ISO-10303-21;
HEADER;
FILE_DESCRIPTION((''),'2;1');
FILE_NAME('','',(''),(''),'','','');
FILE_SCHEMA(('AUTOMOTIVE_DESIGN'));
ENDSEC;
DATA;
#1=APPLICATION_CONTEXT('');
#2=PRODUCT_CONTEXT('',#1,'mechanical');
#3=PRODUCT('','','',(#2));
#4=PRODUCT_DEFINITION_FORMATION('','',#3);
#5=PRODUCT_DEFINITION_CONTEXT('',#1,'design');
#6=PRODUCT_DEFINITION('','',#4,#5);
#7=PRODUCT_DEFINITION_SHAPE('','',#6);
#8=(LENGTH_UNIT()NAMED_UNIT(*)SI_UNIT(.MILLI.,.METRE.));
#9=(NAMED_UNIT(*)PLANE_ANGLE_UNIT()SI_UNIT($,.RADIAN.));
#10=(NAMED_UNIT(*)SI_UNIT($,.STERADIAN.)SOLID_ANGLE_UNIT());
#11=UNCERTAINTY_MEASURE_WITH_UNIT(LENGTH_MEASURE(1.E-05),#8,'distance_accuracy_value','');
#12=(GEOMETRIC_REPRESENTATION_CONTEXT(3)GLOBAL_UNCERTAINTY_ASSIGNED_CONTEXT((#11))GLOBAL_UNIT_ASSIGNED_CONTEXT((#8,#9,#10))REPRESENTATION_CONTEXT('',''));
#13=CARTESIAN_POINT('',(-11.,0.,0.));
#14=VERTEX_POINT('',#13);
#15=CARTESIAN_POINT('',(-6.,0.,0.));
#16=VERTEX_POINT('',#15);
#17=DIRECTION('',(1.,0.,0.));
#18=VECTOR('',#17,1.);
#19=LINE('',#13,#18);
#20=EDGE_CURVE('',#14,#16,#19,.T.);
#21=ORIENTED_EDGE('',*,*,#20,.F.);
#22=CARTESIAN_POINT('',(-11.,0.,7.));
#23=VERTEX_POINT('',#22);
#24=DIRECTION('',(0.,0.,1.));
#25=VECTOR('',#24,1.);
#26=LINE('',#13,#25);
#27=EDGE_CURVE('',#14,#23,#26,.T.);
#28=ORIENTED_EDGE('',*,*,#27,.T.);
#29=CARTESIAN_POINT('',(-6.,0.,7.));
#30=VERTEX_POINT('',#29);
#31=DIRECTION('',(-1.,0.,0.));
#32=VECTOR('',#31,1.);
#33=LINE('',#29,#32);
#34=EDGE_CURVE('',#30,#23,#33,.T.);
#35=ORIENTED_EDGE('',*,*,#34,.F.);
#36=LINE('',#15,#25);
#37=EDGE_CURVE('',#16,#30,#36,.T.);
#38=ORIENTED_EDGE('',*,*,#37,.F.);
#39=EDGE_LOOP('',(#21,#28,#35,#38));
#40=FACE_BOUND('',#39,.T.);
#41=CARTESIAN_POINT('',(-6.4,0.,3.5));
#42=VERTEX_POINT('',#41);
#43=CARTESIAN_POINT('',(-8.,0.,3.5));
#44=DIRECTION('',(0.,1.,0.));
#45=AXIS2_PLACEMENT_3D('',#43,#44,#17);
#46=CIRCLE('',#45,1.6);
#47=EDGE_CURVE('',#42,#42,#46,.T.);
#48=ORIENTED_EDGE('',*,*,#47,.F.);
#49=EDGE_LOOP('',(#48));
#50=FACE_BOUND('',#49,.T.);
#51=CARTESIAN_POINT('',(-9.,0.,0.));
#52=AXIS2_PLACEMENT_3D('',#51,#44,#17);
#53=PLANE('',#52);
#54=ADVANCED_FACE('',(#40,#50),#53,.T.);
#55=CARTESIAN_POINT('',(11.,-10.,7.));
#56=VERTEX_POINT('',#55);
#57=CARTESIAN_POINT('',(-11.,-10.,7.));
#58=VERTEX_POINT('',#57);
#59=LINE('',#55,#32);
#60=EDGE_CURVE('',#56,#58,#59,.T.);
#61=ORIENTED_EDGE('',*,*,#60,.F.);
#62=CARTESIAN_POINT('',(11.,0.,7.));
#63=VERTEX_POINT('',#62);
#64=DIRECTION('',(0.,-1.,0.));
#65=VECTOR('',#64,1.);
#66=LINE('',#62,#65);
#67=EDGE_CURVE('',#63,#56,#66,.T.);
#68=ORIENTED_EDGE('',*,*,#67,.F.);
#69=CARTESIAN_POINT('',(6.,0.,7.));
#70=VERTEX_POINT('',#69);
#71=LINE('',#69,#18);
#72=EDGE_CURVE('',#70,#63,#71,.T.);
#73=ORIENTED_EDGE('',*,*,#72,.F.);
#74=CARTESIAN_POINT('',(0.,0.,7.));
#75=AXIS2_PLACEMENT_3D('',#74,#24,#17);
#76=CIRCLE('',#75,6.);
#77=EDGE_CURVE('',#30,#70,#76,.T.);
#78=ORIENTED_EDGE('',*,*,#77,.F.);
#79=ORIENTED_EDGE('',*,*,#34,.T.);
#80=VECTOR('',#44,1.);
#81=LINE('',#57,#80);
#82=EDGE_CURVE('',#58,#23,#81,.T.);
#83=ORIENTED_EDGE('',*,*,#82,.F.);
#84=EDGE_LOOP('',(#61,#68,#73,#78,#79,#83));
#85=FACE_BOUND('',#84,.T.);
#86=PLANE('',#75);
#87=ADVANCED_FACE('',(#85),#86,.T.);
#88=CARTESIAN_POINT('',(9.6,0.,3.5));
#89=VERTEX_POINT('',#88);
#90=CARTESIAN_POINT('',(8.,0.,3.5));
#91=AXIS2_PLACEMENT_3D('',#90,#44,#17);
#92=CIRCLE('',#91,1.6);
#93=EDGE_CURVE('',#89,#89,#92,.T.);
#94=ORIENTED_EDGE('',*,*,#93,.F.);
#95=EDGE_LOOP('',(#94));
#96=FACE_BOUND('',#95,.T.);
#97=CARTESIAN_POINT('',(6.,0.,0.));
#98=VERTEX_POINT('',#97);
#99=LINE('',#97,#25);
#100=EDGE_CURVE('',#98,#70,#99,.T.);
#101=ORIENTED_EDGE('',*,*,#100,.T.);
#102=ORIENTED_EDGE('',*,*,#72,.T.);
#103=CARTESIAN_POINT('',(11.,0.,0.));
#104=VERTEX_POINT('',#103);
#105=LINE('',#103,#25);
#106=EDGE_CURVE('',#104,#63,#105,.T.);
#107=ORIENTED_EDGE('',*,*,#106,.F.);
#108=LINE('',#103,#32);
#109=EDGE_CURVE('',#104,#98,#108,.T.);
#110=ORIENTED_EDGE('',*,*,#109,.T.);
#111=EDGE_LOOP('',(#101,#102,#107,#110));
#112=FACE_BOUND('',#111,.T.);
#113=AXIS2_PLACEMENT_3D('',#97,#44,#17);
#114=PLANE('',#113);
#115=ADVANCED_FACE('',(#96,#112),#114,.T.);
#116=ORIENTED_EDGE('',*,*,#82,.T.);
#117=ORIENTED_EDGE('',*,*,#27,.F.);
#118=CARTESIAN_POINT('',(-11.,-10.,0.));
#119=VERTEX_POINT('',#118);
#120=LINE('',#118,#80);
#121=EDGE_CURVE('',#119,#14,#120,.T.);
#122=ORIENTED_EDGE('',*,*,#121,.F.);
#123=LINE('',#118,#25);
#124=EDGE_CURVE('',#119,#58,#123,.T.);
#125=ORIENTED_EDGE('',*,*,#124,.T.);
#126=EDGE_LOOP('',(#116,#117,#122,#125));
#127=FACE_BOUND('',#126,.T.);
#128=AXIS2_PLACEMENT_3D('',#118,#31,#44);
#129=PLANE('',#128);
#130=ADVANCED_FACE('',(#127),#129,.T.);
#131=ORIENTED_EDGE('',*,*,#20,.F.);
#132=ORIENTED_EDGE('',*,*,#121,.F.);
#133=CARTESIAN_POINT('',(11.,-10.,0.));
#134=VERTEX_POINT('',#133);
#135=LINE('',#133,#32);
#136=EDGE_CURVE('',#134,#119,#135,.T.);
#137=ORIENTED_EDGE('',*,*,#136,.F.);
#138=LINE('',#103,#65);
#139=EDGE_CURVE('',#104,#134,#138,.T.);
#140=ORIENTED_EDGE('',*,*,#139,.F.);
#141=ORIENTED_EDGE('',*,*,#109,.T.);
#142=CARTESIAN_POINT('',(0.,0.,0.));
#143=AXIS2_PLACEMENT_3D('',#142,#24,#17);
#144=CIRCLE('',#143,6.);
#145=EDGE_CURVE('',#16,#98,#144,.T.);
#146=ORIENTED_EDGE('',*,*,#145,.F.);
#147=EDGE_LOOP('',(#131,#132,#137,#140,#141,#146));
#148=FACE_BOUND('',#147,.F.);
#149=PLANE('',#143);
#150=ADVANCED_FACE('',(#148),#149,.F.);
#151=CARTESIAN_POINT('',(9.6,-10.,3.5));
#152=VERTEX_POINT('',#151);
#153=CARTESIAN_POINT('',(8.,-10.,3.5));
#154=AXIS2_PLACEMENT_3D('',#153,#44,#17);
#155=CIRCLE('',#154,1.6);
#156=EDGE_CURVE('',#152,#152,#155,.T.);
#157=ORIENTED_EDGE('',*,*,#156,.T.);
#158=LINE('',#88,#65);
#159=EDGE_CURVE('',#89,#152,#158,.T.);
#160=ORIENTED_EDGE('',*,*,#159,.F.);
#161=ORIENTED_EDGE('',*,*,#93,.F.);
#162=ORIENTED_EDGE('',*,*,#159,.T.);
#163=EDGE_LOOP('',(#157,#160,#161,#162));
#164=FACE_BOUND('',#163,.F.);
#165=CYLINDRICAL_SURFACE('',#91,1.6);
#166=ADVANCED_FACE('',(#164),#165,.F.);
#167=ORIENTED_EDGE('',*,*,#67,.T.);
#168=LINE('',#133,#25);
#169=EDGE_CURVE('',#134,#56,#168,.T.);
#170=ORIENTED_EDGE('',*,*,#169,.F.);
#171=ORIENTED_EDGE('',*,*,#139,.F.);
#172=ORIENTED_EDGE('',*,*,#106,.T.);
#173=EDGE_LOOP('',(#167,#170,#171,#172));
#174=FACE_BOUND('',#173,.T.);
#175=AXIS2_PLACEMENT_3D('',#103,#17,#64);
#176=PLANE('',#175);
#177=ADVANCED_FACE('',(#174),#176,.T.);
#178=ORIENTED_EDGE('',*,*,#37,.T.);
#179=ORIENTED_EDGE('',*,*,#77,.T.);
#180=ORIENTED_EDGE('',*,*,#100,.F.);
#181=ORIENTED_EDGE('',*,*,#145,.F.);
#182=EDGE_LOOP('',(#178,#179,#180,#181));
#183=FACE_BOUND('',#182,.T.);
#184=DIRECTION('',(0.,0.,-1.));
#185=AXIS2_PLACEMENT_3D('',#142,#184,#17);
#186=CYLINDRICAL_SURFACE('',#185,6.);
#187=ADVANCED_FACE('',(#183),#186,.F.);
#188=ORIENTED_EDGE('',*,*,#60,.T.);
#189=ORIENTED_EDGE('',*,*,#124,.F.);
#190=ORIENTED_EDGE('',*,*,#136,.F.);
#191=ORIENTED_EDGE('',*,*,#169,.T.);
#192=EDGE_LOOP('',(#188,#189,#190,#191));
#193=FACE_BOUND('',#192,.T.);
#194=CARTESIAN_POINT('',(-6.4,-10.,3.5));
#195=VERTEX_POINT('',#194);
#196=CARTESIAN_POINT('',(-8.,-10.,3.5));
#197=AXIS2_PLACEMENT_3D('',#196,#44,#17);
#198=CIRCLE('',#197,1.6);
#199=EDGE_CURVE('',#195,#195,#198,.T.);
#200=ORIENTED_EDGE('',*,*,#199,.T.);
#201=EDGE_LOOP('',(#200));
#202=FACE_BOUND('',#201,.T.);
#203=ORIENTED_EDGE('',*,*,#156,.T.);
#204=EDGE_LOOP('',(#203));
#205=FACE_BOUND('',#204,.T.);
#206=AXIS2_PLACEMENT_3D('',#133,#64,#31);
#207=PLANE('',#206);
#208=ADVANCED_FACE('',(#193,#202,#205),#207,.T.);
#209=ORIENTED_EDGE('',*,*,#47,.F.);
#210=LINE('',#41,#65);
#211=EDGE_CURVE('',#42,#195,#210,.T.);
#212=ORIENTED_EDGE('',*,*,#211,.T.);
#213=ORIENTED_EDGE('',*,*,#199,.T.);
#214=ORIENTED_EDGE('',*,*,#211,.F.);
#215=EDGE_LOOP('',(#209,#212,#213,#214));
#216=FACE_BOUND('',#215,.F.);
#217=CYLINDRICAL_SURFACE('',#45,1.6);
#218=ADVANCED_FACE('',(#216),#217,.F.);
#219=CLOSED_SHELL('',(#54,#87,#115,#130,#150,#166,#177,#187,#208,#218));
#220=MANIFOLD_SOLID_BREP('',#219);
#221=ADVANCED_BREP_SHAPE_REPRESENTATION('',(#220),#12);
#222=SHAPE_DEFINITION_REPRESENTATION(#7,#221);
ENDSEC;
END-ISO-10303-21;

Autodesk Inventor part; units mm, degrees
ref_plane "YZ Plane" through (0, 0, 0) normal (1, 0, 0) x (0, 1, 0)
ref_plane "XZ Plane" through (0, 0, 0) normal (0, 1, 0) x (-1, 0, 0)
ref_plane "XY Plane" through (0, 0, 0) normal (0, 0, 1) x (1, 0, 0)
sketch "Sketch2" plane through (0, 0, 0) normal (0, 0, 1) x (1, 0, 0)
  circle A0 centre (0, 0) radius 6
  line L0 (-11, 0) -> (11, 0)
  line L1 (11, 0) -> (11, -10)
  line L2 (11, -10) -> (-11, -10)
  line L3 (-11, -10) -> (-11, 0)
  circle A1 centre (0, 0) radius 9
  point P0 (6, 0)
  point P1 (-6, 0)
  dimension "d0" = 12
  dimension "d1" = 11
  dimension "d2" = 11
  dimension "d3" = 10
  dimension "d4" = 3
extrude "Extrusion1" add sketch "Sketch2" along normal blind 7 contours L0 A1 A0 | L0 L1 L2 L3 A1 picked at (-7.9128, -0.7179)
sketch "Sketch3" plane through (6, 0, 0) normal (0, 1, 0) x (1, 0, 0)
  circle A0 centre (2, -3.5) radius 1.6
  line L0 (5, 0) -> (5, -7) projected
  line L1 (5, 0) -> (0, 0) projected
  circle A1 centre (-14, -3.5) radius 1.6
  line L2 (-17, 0) -> (-17, -7) projected
  line L3 (-12, 0) -> (-17, 0) projected
  point P0 (-6, 0)
  dimension "d7" = 3.2
  dimension "d8" = 3
  dimension "d9" = 3.5
  dimension "d10" = 3.2
  dimension "d11" = 3
  dimension "d12" = 3.5
extrude "Extrusion2" cut sketch "Sketch3" against normal blind 10
equation "\"d2\" = d1"
properties part number "Tube_mount"
